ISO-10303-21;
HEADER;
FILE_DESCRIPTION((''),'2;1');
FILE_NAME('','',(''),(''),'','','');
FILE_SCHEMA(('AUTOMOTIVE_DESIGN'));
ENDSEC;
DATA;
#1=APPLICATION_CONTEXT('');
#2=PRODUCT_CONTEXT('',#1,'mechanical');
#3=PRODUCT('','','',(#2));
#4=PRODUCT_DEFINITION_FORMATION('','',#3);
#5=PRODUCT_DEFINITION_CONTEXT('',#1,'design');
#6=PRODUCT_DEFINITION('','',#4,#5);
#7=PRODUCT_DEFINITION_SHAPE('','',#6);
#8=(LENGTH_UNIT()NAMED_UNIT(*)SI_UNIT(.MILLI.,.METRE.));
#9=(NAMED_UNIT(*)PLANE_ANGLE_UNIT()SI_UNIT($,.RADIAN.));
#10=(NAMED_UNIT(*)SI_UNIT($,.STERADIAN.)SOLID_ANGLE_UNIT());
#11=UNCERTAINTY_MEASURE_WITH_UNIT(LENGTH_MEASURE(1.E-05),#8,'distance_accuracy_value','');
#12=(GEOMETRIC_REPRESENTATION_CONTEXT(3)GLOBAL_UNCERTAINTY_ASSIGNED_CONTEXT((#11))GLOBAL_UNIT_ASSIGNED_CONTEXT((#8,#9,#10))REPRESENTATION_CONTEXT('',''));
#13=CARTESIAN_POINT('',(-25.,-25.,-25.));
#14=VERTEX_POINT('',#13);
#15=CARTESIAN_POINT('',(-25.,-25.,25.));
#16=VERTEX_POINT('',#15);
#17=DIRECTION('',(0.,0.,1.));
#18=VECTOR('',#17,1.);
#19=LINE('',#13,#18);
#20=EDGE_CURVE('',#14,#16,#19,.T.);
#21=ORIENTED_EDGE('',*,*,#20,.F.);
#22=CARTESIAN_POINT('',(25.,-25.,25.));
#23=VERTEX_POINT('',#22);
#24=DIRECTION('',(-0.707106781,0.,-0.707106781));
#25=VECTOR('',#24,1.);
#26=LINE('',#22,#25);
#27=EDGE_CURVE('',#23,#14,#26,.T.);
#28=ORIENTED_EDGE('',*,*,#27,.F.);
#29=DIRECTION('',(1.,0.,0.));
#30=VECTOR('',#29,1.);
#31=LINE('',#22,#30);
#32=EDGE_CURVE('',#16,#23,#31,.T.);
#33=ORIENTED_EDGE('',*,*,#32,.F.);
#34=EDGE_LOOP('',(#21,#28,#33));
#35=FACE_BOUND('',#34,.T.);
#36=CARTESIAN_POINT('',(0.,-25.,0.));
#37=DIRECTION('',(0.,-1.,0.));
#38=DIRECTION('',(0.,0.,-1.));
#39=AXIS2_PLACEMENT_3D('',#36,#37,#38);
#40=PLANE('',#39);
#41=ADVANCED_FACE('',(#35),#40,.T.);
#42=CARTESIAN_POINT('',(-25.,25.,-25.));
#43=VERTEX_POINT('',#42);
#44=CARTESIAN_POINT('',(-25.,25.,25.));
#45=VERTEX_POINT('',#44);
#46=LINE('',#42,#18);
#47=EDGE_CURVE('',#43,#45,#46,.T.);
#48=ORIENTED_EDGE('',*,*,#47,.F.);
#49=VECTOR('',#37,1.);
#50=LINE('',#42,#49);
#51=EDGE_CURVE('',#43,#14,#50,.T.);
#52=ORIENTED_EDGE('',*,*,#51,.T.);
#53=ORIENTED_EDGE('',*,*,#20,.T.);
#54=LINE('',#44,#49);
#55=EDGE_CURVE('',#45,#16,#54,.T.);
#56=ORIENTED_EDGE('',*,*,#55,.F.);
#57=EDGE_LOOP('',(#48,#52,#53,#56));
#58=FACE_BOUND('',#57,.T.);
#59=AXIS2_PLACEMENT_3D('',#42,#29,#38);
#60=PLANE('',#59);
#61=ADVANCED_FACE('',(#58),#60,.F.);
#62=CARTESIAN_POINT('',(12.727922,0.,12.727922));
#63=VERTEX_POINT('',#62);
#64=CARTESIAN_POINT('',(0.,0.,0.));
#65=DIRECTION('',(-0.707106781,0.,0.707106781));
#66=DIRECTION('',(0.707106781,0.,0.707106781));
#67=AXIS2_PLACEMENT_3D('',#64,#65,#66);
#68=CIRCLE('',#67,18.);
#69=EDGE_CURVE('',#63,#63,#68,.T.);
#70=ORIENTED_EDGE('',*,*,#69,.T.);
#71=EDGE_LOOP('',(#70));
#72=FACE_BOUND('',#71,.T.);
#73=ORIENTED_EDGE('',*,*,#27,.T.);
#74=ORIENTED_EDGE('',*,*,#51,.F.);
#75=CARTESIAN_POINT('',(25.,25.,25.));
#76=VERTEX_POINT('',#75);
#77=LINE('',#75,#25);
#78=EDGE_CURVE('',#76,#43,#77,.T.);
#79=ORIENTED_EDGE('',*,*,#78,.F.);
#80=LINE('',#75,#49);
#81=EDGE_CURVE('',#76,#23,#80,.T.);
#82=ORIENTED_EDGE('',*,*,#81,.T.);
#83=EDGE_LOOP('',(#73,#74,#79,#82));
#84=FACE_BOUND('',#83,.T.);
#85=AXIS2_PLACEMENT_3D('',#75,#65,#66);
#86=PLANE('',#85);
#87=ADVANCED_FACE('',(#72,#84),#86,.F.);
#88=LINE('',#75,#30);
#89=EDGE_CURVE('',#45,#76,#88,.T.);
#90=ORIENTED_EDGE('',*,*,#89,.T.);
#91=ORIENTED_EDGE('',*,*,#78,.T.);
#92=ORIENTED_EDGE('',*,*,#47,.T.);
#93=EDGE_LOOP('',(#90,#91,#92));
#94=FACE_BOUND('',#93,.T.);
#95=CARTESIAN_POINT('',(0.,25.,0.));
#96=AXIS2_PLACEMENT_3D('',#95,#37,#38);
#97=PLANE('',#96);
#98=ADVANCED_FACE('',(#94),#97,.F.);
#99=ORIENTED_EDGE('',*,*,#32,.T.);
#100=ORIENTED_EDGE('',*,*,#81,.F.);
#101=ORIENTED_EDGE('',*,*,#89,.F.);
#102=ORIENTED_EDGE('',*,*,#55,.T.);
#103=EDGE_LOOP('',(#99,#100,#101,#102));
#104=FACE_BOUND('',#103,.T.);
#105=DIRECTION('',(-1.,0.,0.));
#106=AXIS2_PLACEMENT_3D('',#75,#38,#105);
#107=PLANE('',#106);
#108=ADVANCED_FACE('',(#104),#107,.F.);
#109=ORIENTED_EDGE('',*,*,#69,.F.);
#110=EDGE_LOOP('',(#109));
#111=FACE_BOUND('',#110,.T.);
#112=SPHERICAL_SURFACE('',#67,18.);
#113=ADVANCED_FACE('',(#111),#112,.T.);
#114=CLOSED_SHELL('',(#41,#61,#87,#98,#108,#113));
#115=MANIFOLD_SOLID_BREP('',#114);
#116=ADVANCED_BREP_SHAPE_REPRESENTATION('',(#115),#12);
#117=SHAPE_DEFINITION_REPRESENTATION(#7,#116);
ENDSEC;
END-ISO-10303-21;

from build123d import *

# Parameters (mm, degrees)
BOSS_EXTRUDE1_DEPTH = 25


with BuildPart() as part:
    # Sketch2 → Revolve1 (revolve)
    with BuildSketch(Plane(origin=(0, 0, 0), x_dir=(1, 0, 0), z_dir=(0, 1, 0))):
        with BuildLine():
            Line((-18, 0), (18, 0))
            ThreePointArc((18, 0), (0, 18), (-18, 0))
        make_face()
    revolve(axis=Axis((-18, 0, 0), (1, 0, 0)))

    # Sketch3 → Boss-Extrude1 (add, symmetric)
    with BuildSketch(Plane(origin=(0, 0, 0), x_dir=(1, 0, 0), z_dir=(0, 1, 0))):
        Polygon((25, -25), (-25, 25), (-25, -25), align=None)
    extrude(amount=BOSS_EXTRUDE1_DEPTH, both=True)


solid = part.part
